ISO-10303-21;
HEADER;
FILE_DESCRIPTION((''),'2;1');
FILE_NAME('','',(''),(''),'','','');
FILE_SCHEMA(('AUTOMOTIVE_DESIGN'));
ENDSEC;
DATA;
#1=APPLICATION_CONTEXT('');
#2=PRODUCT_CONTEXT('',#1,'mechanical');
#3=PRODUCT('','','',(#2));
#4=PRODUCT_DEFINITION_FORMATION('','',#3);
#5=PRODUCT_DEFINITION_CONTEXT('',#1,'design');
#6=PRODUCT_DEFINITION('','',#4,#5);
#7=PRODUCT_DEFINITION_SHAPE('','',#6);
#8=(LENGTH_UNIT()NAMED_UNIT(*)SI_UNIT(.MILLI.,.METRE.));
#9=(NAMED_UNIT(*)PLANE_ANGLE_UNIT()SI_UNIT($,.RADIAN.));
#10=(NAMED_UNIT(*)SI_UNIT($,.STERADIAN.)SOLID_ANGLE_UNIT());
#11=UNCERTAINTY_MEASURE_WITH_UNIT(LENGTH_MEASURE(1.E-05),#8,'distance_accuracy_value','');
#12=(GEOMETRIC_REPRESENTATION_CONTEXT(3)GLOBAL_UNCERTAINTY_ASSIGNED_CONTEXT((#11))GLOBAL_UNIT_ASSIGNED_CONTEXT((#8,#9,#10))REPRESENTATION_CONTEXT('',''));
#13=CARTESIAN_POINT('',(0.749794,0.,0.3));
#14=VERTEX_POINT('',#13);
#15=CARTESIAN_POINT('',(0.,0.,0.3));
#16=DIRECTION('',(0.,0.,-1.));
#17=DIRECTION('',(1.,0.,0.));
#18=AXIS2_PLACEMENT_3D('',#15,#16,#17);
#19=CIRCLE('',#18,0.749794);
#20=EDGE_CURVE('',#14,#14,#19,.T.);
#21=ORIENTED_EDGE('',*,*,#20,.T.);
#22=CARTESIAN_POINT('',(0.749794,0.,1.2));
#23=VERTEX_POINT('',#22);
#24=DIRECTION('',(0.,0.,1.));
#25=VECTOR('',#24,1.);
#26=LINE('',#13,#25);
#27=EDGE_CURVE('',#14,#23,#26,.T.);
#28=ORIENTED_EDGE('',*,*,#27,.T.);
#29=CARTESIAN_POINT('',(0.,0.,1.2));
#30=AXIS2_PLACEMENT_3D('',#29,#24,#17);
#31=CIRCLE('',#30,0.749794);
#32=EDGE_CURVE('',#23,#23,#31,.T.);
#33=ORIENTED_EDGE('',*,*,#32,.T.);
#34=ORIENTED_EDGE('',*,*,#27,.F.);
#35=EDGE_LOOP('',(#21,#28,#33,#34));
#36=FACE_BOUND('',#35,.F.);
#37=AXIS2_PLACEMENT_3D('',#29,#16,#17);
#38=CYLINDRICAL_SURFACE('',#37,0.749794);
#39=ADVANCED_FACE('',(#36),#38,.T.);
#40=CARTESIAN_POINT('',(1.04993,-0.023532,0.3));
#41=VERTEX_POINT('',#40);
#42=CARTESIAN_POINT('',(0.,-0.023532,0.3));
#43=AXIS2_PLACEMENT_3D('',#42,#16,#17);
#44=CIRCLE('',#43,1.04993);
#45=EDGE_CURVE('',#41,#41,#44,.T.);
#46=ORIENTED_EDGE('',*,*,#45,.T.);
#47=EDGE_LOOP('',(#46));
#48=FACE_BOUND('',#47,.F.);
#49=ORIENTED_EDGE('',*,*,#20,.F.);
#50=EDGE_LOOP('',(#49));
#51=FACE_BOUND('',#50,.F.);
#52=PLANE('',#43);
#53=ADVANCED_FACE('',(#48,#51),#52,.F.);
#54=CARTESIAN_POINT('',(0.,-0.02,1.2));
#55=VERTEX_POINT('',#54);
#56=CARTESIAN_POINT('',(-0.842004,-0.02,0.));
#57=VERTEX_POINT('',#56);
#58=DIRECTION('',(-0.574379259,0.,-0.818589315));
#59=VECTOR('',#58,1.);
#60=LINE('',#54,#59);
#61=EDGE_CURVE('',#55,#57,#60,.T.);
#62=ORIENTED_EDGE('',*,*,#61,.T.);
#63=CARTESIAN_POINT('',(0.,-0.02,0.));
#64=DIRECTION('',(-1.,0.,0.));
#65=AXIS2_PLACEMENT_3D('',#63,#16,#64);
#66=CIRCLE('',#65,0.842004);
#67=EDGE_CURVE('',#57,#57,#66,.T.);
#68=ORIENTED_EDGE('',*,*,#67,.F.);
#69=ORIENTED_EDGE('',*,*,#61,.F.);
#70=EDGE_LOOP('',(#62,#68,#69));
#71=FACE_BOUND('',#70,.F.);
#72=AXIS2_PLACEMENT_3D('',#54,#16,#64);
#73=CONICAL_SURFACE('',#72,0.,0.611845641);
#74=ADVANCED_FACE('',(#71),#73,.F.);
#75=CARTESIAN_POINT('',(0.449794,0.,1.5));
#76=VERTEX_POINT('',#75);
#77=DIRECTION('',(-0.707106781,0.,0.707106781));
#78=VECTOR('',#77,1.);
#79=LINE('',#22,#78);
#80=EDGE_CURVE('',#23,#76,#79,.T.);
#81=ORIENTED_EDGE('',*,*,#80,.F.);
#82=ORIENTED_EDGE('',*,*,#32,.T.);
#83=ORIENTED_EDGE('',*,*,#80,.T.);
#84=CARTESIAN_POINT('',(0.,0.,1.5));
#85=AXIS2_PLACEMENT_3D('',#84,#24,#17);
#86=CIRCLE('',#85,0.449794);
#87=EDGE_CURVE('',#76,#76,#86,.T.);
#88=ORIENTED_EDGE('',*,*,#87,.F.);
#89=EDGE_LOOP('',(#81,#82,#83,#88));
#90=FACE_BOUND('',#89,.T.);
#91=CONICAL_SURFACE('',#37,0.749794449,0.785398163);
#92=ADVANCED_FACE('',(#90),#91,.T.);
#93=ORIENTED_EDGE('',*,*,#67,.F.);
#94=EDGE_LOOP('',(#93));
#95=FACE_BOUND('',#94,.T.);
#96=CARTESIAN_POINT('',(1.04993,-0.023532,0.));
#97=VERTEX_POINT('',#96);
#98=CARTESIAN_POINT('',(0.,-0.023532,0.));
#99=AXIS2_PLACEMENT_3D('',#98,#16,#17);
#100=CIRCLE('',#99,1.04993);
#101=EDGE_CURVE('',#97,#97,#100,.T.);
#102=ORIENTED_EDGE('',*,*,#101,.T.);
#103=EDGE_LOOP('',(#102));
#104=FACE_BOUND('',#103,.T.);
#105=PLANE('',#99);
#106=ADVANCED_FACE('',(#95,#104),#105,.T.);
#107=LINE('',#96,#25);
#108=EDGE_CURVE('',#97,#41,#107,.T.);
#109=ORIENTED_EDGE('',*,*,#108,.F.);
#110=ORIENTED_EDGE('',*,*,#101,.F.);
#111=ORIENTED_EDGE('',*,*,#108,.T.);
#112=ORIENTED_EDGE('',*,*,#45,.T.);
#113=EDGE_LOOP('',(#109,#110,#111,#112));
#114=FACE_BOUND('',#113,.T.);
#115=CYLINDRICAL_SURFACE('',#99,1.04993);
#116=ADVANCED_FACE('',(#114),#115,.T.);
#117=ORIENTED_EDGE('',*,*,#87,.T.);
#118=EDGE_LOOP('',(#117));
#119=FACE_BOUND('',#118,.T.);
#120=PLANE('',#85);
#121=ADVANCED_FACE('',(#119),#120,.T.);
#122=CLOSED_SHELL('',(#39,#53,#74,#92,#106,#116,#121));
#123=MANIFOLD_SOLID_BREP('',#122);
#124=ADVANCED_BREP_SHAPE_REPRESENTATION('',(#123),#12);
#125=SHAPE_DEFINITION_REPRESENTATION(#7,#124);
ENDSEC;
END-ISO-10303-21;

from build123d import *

# Parameters (mm, degrees)
F0_R     = 0.7497944492
F1_DEPTH = 1.2
F2_R     = 1.0499303661
F2_R_2   = 0.7497944492
F3_DEPTH = 0.3
F4_DEPTH = 0.3
F5_SIZE  = 0.3


with BuildPart() as f1:
    # F0 (on Top) → F1 (new body)
    with BuildSketch(Plane.XY):
        Circle(F0_R)
    extrude(amount=F1_DEPTH)

    # F2 (on face) → F3 (join)
    with BuildSketch(Plane(origin=(0, 0, 0), x_dir=(1, 0, 0), z_dir=(0, 0, -1))):
        with Locations((0, 0.0235324333)):
            Circle(F2_R)
        Circle(F2_R_2, mode=Mode.SUBTRACT)
    extrude(amount=-F3_DEPTH)

    # F4 (add): a face of the model
    f4_faces = [f1.faces().sort_by_distance(p)[0] for p in [
        (0, 0, 1.2),
    ]]
    extrude(f4_faces, amount=F4_DEPTH)

    # F5
    f5_edges = [f1.edges().sort_by_distance(p)[0] for p in [
        (-0.749794, 0, 1.5),
    ]]
    chamfer(f5_edges, length=F5_SIZE)


with BuildPart() as f7:
    # F6 (on Front) → F7 (revolve)
    with BuildSketch(Plane.XZ):
        Polygon((0, -1.2119101593), (0, 0), (-0.8503605495, -1.2119101593), align=None)
    revolve(axis=Axis((0, 0, -0.6059550797), (0, 0, -1)))


with BuildPart() as f7_1:
    # F8: moved
    add(f7.part.moved(Location((0, 0, 1))))


with BuildPart() as f7_2:
    # F9: moved
    add(f7_1.part.moved(Location((0, 0, 0.2))))


with BuildPart() as f7_3:
    # F10: moved
    add(f7_2.part.moved(Location((0, -0.02, 0))))


with BuildPart() as f1_1:
    add(f1.part)

    # F11: cut F7
    add(f7_3.part, mode=Mode.SUBTRACT)


solid = f1_1.part
